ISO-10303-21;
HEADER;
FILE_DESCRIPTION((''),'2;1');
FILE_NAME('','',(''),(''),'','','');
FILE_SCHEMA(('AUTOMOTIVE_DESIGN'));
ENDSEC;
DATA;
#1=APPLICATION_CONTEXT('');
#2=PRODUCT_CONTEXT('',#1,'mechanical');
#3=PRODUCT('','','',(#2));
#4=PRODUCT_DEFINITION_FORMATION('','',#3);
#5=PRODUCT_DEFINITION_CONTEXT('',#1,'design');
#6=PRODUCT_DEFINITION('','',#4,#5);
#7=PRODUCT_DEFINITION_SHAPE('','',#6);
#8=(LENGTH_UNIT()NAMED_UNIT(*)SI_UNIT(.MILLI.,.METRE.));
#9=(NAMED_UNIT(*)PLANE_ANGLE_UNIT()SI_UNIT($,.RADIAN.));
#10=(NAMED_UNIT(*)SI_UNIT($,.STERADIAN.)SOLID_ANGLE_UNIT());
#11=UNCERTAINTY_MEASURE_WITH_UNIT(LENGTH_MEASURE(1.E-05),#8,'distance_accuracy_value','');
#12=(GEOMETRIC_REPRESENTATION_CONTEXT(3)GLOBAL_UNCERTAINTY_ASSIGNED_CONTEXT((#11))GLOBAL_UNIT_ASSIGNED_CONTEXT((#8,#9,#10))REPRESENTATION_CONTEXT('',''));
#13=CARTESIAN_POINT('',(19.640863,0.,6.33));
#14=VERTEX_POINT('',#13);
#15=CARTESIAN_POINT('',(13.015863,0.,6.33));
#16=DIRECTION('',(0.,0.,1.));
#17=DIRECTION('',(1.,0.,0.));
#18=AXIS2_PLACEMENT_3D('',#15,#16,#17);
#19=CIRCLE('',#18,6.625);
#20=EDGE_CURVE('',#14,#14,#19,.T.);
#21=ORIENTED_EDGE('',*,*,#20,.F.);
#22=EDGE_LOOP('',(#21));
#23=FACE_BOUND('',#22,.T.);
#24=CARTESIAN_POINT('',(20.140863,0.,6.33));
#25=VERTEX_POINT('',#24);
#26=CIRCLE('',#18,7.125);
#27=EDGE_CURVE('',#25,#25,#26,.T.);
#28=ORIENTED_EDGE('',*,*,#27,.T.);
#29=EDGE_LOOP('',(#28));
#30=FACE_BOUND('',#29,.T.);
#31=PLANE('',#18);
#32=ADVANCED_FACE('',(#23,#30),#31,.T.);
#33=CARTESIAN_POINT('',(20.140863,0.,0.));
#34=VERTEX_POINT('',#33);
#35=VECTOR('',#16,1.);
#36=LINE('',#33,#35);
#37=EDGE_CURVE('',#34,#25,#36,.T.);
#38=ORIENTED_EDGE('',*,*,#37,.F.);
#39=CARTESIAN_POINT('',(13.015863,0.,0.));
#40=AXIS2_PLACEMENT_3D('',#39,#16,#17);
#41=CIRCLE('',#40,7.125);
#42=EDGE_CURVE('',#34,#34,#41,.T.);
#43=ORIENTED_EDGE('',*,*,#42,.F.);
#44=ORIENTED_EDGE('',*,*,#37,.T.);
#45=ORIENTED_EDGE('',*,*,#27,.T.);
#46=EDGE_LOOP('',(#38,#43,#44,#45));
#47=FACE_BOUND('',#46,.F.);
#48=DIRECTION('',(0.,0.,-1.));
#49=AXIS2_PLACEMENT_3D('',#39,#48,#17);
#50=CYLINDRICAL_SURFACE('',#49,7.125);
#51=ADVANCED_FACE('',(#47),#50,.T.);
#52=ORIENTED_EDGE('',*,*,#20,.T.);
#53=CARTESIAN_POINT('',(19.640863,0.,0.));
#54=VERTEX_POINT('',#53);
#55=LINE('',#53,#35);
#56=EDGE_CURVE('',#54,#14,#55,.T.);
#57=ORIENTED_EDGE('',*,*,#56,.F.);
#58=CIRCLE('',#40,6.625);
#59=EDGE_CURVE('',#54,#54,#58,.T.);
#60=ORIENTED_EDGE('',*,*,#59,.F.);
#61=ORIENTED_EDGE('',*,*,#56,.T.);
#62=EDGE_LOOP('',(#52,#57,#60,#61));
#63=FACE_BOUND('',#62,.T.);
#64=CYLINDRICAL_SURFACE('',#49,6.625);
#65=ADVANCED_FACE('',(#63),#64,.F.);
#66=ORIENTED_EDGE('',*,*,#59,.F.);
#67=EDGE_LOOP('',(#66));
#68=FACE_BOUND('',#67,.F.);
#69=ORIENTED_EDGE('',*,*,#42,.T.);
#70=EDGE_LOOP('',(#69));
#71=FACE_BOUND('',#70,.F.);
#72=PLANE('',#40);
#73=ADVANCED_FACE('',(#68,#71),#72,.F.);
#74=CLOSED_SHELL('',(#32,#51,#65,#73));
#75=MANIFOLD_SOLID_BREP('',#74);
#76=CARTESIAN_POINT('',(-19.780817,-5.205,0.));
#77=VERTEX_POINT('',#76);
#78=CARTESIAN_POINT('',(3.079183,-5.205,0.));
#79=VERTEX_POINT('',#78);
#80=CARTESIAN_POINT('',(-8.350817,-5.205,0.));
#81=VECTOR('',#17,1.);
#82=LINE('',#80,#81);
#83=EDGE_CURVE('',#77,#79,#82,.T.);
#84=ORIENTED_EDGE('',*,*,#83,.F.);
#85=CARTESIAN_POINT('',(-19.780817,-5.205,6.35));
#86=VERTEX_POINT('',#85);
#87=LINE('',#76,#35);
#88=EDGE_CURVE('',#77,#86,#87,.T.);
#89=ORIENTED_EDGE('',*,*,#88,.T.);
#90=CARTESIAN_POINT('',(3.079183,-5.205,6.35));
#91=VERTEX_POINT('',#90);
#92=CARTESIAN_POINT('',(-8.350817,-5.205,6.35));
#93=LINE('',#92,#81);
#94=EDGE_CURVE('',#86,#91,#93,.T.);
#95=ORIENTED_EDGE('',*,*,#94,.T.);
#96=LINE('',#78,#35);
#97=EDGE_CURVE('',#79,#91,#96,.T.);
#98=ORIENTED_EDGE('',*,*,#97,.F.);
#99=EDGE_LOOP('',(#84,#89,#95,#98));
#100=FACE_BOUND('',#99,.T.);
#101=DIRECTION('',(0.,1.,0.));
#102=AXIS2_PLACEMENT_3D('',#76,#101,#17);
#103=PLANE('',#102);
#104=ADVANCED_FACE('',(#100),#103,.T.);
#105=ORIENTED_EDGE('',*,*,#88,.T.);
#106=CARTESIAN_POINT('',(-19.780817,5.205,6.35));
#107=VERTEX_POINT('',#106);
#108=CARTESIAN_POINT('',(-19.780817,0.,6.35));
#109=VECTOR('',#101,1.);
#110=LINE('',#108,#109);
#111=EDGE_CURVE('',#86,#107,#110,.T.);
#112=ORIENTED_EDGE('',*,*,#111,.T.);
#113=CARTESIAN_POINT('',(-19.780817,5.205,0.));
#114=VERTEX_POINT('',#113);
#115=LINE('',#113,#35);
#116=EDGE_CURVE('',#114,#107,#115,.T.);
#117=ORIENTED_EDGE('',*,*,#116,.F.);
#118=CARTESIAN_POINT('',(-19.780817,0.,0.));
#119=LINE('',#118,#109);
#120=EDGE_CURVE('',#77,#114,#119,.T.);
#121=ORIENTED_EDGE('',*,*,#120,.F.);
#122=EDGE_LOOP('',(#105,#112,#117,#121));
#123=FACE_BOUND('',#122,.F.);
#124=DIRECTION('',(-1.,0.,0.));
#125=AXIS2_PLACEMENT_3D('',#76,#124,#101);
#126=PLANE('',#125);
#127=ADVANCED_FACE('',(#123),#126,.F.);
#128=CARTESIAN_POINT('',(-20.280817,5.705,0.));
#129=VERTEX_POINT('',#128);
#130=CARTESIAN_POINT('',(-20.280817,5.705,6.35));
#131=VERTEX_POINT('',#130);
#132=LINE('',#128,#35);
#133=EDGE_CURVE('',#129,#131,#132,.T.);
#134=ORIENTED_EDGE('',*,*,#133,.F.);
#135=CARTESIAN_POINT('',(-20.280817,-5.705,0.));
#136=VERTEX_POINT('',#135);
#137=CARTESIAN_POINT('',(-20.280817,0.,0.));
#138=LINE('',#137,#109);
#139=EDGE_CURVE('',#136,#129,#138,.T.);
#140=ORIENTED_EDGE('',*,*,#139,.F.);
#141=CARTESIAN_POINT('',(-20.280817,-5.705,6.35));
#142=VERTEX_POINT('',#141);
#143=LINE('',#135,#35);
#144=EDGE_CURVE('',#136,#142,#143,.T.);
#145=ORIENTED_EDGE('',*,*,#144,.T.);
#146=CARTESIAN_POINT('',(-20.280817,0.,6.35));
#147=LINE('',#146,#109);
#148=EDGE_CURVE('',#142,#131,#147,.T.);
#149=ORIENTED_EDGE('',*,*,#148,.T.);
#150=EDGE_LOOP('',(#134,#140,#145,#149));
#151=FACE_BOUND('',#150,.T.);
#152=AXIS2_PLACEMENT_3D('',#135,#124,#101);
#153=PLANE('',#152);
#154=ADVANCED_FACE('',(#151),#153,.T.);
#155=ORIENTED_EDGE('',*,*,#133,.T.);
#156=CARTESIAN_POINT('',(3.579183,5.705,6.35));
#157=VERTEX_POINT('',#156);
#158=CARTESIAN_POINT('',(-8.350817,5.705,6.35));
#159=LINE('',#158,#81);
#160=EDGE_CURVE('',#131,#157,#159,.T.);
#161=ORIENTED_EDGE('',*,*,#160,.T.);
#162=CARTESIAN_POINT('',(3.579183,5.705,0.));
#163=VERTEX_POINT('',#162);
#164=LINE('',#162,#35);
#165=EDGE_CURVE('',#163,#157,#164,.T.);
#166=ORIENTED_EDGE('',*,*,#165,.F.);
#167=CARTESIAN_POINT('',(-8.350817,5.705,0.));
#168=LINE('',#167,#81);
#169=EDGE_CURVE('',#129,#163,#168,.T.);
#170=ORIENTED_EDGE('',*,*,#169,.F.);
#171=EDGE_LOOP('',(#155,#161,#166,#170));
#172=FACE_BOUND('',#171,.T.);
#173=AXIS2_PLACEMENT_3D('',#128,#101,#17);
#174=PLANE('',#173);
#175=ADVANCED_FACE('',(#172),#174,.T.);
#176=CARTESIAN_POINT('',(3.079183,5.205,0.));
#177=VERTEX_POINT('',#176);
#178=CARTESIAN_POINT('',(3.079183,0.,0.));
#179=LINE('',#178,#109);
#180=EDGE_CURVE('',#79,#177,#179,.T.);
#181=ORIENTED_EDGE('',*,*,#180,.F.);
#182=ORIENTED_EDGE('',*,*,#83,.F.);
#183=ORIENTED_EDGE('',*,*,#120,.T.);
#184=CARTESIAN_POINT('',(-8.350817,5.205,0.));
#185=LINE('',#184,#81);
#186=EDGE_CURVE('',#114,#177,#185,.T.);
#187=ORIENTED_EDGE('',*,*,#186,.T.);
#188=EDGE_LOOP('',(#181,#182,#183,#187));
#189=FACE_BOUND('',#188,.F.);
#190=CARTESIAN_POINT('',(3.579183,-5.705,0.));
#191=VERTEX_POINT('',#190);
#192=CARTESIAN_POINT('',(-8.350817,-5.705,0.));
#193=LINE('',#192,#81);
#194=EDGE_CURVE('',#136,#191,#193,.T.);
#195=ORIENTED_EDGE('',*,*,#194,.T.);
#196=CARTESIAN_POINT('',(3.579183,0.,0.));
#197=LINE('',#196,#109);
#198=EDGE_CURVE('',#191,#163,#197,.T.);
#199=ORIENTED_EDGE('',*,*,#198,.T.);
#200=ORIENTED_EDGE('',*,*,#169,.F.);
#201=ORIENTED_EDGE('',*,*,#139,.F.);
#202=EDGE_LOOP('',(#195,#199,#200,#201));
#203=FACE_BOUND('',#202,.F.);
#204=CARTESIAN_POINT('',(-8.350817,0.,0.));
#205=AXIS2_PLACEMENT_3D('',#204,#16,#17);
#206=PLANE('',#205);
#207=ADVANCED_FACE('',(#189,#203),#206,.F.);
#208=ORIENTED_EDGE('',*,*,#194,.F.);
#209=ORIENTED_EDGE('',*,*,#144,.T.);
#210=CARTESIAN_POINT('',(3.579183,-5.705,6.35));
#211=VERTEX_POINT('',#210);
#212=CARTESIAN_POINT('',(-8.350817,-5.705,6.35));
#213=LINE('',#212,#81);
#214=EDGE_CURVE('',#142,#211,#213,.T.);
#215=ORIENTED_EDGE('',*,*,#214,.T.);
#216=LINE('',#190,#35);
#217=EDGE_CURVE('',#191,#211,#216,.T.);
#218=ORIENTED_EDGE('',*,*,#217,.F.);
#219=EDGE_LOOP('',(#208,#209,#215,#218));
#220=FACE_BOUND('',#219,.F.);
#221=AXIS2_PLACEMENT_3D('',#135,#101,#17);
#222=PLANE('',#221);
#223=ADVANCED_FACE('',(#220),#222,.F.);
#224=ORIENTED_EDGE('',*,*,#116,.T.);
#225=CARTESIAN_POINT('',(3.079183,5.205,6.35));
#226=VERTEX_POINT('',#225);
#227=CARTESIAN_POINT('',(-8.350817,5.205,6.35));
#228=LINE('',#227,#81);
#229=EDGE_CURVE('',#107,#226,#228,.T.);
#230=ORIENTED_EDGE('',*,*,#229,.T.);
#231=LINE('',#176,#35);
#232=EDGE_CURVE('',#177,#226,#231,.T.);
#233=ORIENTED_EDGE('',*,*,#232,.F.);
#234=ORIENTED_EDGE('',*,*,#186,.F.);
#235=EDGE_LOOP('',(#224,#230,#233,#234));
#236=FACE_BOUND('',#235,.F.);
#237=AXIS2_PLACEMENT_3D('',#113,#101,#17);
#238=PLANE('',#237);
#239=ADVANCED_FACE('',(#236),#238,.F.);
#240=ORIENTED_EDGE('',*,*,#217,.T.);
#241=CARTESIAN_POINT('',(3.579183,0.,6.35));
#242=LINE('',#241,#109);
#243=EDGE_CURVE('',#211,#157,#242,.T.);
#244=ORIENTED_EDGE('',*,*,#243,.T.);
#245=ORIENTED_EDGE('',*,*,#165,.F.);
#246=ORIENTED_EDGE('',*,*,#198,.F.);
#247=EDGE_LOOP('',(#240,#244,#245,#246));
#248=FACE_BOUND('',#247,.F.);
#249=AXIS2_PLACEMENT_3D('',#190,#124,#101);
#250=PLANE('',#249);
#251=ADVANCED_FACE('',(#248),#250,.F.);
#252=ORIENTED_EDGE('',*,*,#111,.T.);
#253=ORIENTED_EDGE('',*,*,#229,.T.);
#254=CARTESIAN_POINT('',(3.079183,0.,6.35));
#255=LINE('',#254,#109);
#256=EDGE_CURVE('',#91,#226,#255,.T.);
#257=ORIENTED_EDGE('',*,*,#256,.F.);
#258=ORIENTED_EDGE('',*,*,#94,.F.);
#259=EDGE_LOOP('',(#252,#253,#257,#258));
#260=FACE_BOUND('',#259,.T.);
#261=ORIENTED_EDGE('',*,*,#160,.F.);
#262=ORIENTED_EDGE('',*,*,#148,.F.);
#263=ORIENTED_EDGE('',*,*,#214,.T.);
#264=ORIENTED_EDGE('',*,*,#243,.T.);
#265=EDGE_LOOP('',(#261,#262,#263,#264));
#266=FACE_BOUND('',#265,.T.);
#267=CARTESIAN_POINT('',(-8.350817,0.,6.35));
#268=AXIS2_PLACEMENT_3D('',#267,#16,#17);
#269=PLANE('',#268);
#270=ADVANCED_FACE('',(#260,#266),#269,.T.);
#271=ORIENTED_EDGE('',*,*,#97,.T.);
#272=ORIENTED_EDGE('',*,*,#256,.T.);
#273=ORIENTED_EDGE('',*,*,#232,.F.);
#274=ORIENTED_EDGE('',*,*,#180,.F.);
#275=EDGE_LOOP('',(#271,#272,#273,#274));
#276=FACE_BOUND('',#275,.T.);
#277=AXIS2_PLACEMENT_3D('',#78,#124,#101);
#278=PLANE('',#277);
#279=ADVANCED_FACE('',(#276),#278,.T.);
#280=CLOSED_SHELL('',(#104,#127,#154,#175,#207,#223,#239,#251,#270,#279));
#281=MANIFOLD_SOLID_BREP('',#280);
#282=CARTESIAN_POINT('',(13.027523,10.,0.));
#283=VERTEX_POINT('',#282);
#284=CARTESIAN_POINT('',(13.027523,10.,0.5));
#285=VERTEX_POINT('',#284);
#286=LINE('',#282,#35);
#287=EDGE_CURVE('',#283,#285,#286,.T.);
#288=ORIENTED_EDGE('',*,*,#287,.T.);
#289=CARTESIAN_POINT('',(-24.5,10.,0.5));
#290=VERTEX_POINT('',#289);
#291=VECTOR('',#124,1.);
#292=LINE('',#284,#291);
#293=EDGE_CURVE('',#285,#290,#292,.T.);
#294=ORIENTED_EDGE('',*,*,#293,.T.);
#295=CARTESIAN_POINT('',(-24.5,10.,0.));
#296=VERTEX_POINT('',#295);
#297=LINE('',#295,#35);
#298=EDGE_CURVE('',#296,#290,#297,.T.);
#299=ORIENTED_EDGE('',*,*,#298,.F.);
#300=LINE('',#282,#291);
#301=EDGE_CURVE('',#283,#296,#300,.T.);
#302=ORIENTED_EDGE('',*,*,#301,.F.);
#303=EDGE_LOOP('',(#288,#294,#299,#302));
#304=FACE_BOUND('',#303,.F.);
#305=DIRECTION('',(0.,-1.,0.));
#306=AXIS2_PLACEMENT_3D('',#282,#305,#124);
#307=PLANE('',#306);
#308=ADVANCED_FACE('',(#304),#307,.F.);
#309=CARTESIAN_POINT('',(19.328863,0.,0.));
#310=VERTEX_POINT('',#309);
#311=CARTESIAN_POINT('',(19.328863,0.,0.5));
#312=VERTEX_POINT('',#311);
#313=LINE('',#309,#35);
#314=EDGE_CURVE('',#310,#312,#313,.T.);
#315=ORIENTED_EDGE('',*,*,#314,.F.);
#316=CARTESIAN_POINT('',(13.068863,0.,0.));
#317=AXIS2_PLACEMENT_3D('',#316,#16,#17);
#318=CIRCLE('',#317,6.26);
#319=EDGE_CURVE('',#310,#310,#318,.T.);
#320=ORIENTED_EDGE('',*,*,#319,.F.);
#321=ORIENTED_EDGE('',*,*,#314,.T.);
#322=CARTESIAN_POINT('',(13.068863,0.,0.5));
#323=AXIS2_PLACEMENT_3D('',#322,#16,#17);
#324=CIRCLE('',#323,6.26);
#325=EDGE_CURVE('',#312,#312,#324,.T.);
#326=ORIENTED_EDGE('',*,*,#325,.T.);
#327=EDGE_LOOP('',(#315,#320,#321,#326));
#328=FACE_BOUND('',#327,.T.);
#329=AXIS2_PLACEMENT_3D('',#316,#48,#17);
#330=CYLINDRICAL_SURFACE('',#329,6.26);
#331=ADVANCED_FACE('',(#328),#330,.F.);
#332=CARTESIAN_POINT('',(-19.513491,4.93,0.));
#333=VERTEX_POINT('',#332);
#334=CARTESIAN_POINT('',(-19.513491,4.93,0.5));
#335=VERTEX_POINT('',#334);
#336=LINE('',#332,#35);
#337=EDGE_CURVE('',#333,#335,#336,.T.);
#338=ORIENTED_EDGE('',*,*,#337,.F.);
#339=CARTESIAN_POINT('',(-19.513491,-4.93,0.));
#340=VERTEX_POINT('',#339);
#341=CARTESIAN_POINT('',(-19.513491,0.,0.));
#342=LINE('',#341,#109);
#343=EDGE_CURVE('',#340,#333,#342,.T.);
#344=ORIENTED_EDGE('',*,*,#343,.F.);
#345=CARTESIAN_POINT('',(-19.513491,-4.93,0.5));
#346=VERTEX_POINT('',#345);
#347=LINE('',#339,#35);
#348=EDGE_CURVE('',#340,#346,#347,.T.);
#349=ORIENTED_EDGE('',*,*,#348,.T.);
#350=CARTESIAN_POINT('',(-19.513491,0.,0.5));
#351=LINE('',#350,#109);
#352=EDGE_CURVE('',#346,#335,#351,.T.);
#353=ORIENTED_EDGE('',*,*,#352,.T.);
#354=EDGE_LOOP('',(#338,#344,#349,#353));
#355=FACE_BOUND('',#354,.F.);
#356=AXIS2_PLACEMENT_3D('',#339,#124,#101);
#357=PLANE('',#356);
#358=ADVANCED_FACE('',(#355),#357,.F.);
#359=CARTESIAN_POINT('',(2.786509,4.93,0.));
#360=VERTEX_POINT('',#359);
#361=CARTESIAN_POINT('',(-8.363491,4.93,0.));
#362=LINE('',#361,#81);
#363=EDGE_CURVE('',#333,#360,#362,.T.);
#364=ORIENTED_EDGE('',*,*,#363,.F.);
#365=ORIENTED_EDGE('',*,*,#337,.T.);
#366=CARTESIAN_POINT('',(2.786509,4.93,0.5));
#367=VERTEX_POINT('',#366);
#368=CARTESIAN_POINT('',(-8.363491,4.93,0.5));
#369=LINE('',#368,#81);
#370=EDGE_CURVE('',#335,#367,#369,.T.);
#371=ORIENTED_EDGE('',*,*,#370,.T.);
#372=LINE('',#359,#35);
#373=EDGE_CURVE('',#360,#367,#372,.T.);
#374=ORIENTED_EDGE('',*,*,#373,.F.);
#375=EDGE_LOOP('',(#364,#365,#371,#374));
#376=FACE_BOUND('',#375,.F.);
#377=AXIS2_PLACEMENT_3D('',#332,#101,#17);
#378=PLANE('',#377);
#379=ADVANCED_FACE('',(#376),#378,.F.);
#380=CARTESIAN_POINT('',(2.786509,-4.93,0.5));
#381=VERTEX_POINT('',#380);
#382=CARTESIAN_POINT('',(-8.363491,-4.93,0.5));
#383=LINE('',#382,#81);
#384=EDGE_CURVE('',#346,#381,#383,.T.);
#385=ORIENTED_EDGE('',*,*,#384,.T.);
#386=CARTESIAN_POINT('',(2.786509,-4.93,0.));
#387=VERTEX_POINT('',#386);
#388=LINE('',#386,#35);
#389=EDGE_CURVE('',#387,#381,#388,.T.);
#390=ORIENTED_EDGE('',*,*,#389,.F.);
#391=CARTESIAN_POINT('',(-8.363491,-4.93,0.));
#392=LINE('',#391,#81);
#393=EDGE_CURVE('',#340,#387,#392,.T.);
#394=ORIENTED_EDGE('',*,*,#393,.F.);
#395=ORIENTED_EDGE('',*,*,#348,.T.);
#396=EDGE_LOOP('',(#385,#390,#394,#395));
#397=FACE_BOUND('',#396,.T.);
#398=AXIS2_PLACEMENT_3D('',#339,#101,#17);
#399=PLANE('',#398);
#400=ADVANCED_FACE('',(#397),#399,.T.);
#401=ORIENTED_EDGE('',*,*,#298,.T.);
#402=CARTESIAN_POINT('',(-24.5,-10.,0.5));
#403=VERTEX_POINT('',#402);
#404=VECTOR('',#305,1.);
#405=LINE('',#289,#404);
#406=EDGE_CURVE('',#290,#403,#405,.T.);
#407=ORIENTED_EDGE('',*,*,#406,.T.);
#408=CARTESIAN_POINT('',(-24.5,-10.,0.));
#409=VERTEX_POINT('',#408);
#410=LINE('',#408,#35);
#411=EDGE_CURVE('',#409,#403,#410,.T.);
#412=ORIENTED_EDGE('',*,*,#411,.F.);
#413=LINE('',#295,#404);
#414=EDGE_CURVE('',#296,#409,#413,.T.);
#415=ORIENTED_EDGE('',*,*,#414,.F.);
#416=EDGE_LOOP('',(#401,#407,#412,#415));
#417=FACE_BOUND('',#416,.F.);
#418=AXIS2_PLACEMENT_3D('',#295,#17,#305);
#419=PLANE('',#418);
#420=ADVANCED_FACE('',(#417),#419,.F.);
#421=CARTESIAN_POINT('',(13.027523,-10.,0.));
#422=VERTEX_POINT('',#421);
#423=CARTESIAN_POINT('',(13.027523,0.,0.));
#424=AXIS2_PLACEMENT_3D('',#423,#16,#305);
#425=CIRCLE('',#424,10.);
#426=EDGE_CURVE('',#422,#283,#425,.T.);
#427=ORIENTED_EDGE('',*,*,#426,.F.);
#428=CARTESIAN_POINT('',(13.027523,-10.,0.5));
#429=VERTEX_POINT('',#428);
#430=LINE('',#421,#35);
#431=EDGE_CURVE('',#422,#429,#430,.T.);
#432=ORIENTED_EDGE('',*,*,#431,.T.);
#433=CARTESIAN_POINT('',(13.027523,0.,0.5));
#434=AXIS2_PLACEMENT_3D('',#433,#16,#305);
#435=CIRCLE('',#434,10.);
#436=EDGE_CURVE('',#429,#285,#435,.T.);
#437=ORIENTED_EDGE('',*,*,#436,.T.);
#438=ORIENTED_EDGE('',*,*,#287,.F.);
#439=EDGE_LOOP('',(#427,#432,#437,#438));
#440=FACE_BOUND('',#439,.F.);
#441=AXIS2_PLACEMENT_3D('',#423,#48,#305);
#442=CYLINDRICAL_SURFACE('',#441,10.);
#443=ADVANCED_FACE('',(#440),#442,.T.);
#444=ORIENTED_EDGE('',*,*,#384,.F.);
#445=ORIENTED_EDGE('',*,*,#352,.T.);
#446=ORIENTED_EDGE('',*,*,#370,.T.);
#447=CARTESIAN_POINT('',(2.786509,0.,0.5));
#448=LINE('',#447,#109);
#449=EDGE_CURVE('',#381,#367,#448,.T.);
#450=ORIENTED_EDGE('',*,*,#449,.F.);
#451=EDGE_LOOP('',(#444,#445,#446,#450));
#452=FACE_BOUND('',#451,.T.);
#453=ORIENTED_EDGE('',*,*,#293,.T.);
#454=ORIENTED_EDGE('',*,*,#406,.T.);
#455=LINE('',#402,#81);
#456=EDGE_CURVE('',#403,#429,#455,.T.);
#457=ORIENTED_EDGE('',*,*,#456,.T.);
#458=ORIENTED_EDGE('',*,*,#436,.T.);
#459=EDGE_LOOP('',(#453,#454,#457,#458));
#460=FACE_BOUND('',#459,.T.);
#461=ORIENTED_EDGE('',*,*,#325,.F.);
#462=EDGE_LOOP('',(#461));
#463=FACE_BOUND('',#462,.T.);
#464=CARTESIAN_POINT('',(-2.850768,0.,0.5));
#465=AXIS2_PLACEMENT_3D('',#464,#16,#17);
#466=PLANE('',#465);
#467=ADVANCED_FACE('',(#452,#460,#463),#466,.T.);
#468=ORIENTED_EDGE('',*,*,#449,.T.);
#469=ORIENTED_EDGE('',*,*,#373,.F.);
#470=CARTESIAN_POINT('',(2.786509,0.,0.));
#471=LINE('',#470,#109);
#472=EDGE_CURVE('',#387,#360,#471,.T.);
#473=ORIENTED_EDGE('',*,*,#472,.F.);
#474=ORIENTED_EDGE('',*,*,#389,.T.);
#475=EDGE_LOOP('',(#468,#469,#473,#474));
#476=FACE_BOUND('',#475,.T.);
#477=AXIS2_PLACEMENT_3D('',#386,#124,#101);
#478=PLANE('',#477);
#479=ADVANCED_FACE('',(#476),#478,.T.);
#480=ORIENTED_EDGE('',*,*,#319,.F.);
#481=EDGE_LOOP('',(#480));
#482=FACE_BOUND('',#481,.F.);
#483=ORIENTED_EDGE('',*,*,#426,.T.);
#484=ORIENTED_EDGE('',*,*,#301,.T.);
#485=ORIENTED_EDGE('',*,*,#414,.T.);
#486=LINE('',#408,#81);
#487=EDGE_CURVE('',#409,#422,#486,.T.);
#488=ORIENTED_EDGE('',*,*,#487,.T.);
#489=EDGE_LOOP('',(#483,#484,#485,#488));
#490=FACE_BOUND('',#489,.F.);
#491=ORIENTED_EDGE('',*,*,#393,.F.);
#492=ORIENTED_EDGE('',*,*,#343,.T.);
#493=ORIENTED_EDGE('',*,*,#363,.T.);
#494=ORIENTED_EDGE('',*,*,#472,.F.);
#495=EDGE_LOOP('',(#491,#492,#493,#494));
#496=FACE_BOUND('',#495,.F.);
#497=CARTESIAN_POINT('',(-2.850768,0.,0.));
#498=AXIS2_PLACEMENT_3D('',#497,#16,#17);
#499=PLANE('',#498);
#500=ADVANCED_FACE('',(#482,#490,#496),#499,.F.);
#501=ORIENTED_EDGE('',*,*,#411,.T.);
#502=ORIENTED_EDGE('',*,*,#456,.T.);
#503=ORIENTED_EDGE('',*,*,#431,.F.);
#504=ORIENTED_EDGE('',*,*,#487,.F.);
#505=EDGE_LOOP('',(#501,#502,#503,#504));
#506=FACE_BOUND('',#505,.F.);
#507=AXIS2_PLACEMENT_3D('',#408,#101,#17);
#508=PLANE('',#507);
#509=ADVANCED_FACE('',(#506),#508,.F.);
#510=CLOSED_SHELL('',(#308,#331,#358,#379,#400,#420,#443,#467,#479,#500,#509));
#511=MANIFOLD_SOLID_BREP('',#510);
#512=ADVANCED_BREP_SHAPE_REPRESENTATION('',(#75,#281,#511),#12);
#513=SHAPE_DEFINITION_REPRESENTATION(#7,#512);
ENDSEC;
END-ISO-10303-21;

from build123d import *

# Parameters (mm, degrees)
F0_W     = 22.3
F0_H     = 9.86
F0_R     = 6.26
F1_DEPTH = 0.5
F3_R     = 7.125
F3_R_2   = 6.625
F4_DEPTH = 6.33
F5_W     = 23.86
F5_H     = 11.41
F5_W_2   = 22.86
F5_H_2   = 10.41
F6_DEPTH = 6.35


with BuildPart() as f1:
    # F0 (on Top) → F1 (new body)
    with BuildSketch(Plane.XY):
        with BuildLine():
            Line((-24.5, 10), (-24.5, -10))
            Line((-24.5, -10), (13.027523, -10))
            ThreePointArc((13.027523, -10), (23.027523, 0), (13.027523, 10))
            Line((13.027523, 10), (-24.5, 10))
        make_face()
        with Locations((-8.363491, 0)):
            Rectangle(F0_W, F0_H, mode=Mode.SUBTRACT)
        with Locations((13.068863, 0)):
            Circle(F0_R, mode=Mode.SUBTRACT)
    extrude(amount=F1_DEPTH)


with BuildPart() as f4:
    # F3 (on Top) → F4 (new body)
    with BuildSketch(Plane.XY):
        with Locations((13.015863, 0)):
            Circle(F3_R)
        with Locations((13.015863, 0)):
            Circle(F3_R_2, mode=Mode.SUBTRACT)
    extrude(amount=F4_DEPTH)


with BuildPart() as f6:
    # F5 (on Top) → F6 (new body)
    with BuildSketch(Plane.XY):
        with Locations((-8.350817, 0)):
            Rectangle(F5_W, F5_H)
        with Locations((-8.350817, 0)):
            Rectangle(F5_W_2, F5_H_2, mode=Mode.SUBTRACT)
    extrude(amount=F6_DEPTH)


solid = Compound([f1.part, f4.part, f6.part])
